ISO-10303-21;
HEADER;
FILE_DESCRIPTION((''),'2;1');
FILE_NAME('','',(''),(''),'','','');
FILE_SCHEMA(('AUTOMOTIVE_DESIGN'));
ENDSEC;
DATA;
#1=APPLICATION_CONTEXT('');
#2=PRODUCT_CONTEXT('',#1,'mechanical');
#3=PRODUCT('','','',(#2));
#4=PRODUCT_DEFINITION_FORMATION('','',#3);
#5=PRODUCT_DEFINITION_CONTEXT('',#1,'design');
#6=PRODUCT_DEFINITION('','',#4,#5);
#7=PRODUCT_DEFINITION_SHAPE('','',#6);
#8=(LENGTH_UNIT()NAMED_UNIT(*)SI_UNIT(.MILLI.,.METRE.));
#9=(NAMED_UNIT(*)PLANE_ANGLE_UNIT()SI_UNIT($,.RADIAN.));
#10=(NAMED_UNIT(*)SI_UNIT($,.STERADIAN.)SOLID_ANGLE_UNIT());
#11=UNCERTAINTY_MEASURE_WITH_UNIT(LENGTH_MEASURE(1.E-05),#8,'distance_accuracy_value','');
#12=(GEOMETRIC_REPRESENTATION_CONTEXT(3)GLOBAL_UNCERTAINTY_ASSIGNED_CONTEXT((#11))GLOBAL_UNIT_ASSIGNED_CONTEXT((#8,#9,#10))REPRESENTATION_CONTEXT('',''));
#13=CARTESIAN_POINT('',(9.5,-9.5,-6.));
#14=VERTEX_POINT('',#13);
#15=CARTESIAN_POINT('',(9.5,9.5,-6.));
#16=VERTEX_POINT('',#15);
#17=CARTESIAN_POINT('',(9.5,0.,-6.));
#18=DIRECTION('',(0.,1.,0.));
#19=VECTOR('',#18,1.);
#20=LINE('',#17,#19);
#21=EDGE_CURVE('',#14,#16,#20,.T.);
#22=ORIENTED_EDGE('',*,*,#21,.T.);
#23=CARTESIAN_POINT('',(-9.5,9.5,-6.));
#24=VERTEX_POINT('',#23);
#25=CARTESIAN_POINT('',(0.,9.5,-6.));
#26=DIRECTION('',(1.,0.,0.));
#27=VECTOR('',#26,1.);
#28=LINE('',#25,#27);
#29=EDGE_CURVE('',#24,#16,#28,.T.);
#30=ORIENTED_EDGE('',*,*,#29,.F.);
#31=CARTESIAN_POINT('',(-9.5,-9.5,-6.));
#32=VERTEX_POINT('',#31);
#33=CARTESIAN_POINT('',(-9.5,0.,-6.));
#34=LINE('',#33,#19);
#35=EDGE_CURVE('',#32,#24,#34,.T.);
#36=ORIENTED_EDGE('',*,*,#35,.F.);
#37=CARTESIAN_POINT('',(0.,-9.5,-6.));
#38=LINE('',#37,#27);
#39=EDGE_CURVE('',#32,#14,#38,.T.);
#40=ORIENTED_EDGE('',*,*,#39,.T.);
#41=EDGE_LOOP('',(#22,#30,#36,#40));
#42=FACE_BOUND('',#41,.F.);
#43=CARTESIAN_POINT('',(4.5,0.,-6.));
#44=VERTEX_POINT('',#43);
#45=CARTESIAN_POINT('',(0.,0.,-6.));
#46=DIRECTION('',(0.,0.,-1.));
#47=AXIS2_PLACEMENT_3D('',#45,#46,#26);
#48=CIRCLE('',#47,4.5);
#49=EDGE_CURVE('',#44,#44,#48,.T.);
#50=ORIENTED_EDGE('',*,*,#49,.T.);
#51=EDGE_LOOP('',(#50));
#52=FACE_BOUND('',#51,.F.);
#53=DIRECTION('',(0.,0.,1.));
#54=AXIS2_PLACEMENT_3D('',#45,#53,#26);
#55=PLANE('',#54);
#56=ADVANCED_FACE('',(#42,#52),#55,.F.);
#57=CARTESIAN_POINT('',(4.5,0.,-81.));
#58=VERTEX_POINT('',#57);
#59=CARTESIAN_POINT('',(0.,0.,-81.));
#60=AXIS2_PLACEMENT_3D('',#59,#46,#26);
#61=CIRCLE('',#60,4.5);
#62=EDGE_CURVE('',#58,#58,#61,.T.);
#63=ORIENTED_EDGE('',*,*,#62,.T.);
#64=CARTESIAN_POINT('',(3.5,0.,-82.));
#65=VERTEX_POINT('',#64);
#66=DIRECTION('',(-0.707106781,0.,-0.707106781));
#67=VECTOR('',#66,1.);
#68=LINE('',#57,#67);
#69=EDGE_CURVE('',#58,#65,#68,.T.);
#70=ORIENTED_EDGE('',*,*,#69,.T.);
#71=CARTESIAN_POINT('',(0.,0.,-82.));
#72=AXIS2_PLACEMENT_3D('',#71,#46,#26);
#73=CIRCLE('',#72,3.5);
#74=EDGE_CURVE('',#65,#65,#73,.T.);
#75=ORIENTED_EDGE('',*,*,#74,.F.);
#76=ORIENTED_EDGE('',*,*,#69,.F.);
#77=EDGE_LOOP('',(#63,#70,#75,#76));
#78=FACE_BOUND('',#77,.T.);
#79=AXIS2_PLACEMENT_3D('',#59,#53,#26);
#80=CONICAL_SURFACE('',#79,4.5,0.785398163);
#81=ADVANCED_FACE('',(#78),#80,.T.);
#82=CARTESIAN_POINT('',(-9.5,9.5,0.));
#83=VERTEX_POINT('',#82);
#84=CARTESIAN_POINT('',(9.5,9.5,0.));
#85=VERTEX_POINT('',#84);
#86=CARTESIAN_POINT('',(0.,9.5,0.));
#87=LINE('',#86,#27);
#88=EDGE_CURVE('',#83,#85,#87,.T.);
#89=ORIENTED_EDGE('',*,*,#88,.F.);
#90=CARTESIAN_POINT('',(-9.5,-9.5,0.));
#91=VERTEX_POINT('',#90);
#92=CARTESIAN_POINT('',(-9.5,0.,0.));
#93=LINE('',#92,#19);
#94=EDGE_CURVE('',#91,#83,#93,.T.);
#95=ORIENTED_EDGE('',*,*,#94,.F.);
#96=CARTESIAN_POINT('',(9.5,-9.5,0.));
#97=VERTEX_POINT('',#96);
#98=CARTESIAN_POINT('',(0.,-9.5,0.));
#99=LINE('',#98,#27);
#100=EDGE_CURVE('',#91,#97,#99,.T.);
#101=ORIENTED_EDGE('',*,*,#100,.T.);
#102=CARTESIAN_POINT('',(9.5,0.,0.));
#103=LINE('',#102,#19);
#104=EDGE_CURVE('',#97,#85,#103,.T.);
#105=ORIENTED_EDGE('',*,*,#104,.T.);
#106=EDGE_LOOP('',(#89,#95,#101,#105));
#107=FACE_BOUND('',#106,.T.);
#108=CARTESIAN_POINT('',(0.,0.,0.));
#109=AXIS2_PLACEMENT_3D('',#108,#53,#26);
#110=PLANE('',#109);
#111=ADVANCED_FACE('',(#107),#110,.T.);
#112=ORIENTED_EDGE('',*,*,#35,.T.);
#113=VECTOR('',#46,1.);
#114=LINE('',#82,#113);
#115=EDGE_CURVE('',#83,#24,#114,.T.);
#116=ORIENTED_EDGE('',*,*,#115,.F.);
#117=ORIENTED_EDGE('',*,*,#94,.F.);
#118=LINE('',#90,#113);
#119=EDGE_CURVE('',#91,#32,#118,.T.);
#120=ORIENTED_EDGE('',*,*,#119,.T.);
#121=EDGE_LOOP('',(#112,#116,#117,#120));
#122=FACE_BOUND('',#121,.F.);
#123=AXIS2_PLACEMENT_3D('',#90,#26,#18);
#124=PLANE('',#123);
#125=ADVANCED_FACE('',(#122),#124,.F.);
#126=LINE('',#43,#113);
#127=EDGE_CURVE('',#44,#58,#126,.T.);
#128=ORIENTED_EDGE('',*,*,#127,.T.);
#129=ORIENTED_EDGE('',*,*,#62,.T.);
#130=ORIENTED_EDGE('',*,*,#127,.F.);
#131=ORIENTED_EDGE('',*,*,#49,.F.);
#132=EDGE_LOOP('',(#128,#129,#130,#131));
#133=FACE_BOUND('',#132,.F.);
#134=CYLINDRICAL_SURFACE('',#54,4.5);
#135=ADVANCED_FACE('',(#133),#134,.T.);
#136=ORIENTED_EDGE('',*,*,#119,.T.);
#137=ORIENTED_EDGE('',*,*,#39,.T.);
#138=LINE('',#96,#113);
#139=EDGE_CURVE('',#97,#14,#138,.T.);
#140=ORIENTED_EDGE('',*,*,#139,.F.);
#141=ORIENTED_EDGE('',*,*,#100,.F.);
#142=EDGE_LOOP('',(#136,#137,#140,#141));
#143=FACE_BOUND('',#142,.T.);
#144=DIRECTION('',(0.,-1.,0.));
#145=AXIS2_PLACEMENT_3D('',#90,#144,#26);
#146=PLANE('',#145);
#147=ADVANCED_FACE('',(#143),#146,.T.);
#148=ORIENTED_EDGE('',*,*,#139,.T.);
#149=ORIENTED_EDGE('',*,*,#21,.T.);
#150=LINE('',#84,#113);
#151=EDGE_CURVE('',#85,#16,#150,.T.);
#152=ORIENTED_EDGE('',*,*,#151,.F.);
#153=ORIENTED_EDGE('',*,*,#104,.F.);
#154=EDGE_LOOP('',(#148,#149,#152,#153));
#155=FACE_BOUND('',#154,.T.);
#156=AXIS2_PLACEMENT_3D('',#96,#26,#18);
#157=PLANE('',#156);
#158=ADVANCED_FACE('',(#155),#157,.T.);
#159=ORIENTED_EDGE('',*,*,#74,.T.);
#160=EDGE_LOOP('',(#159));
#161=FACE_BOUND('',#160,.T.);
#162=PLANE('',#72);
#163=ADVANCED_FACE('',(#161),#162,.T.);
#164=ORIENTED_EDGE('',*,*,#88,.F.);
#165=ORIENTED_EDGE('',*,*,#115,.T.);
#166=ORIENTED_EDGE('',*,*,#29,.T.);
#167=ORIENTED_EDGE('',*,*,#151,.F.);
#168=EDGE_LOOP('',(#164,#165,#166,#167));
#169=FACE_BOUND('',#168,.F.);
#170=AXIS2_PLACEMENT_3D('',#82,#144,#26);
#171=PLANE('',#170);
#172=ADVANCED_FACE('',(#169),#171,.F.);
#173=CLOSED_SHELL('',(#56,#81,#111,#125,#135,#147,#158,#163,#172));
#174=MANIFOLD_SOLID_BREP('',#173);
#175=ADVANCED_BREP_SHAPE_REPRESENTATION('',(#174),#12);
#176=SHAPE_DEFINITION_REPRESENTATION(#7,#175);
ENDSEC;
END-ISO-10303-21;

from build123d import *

# Parameters (mm, degrees)
SKETCH1_W           = 19
SKETCH1_H           = 19
BOSS_EXTRUDE1_DEPTH = 6
SKETCH2_R           = 4.5
BOSS_EXTRUDE2_DEPTH = 76
CHAMFER1_SIZE       = 1


with BuildPart() as part:
    # Sketch1 → Boss-Extrude1 (new body)
    with BuildSketch(Plane.XY):
        Rectangle(SKETCH1_W, SKETCH1_H)
    extrude(amount=-BOSS_EXTRUDE1_DEPTH)

    # Sketch2 → Boss-Extrude2 (add)
    with BuildSketch(Plane(origin=(0, 0, -6), x_dir=(-1, 0, 0), z_dir=(0, 0, -1))):
        with Locations(Location((0, 0, 0), (0, 0, 180))):  # turned: the seam where the file's is
            Circle(SKETCH2_R)
    extrude(amount=BOSS_EXTRUDE2_DEPTH)

    # Chamfer1
    chamfer1_edges = [part.edges().sort_by_distance(p)[0] for p in [
        (-4.5, 0, -82),
    ]]
    chamfer(chamfer1_edges, length=CHAMFER1_SIZE)


solid = part.part
